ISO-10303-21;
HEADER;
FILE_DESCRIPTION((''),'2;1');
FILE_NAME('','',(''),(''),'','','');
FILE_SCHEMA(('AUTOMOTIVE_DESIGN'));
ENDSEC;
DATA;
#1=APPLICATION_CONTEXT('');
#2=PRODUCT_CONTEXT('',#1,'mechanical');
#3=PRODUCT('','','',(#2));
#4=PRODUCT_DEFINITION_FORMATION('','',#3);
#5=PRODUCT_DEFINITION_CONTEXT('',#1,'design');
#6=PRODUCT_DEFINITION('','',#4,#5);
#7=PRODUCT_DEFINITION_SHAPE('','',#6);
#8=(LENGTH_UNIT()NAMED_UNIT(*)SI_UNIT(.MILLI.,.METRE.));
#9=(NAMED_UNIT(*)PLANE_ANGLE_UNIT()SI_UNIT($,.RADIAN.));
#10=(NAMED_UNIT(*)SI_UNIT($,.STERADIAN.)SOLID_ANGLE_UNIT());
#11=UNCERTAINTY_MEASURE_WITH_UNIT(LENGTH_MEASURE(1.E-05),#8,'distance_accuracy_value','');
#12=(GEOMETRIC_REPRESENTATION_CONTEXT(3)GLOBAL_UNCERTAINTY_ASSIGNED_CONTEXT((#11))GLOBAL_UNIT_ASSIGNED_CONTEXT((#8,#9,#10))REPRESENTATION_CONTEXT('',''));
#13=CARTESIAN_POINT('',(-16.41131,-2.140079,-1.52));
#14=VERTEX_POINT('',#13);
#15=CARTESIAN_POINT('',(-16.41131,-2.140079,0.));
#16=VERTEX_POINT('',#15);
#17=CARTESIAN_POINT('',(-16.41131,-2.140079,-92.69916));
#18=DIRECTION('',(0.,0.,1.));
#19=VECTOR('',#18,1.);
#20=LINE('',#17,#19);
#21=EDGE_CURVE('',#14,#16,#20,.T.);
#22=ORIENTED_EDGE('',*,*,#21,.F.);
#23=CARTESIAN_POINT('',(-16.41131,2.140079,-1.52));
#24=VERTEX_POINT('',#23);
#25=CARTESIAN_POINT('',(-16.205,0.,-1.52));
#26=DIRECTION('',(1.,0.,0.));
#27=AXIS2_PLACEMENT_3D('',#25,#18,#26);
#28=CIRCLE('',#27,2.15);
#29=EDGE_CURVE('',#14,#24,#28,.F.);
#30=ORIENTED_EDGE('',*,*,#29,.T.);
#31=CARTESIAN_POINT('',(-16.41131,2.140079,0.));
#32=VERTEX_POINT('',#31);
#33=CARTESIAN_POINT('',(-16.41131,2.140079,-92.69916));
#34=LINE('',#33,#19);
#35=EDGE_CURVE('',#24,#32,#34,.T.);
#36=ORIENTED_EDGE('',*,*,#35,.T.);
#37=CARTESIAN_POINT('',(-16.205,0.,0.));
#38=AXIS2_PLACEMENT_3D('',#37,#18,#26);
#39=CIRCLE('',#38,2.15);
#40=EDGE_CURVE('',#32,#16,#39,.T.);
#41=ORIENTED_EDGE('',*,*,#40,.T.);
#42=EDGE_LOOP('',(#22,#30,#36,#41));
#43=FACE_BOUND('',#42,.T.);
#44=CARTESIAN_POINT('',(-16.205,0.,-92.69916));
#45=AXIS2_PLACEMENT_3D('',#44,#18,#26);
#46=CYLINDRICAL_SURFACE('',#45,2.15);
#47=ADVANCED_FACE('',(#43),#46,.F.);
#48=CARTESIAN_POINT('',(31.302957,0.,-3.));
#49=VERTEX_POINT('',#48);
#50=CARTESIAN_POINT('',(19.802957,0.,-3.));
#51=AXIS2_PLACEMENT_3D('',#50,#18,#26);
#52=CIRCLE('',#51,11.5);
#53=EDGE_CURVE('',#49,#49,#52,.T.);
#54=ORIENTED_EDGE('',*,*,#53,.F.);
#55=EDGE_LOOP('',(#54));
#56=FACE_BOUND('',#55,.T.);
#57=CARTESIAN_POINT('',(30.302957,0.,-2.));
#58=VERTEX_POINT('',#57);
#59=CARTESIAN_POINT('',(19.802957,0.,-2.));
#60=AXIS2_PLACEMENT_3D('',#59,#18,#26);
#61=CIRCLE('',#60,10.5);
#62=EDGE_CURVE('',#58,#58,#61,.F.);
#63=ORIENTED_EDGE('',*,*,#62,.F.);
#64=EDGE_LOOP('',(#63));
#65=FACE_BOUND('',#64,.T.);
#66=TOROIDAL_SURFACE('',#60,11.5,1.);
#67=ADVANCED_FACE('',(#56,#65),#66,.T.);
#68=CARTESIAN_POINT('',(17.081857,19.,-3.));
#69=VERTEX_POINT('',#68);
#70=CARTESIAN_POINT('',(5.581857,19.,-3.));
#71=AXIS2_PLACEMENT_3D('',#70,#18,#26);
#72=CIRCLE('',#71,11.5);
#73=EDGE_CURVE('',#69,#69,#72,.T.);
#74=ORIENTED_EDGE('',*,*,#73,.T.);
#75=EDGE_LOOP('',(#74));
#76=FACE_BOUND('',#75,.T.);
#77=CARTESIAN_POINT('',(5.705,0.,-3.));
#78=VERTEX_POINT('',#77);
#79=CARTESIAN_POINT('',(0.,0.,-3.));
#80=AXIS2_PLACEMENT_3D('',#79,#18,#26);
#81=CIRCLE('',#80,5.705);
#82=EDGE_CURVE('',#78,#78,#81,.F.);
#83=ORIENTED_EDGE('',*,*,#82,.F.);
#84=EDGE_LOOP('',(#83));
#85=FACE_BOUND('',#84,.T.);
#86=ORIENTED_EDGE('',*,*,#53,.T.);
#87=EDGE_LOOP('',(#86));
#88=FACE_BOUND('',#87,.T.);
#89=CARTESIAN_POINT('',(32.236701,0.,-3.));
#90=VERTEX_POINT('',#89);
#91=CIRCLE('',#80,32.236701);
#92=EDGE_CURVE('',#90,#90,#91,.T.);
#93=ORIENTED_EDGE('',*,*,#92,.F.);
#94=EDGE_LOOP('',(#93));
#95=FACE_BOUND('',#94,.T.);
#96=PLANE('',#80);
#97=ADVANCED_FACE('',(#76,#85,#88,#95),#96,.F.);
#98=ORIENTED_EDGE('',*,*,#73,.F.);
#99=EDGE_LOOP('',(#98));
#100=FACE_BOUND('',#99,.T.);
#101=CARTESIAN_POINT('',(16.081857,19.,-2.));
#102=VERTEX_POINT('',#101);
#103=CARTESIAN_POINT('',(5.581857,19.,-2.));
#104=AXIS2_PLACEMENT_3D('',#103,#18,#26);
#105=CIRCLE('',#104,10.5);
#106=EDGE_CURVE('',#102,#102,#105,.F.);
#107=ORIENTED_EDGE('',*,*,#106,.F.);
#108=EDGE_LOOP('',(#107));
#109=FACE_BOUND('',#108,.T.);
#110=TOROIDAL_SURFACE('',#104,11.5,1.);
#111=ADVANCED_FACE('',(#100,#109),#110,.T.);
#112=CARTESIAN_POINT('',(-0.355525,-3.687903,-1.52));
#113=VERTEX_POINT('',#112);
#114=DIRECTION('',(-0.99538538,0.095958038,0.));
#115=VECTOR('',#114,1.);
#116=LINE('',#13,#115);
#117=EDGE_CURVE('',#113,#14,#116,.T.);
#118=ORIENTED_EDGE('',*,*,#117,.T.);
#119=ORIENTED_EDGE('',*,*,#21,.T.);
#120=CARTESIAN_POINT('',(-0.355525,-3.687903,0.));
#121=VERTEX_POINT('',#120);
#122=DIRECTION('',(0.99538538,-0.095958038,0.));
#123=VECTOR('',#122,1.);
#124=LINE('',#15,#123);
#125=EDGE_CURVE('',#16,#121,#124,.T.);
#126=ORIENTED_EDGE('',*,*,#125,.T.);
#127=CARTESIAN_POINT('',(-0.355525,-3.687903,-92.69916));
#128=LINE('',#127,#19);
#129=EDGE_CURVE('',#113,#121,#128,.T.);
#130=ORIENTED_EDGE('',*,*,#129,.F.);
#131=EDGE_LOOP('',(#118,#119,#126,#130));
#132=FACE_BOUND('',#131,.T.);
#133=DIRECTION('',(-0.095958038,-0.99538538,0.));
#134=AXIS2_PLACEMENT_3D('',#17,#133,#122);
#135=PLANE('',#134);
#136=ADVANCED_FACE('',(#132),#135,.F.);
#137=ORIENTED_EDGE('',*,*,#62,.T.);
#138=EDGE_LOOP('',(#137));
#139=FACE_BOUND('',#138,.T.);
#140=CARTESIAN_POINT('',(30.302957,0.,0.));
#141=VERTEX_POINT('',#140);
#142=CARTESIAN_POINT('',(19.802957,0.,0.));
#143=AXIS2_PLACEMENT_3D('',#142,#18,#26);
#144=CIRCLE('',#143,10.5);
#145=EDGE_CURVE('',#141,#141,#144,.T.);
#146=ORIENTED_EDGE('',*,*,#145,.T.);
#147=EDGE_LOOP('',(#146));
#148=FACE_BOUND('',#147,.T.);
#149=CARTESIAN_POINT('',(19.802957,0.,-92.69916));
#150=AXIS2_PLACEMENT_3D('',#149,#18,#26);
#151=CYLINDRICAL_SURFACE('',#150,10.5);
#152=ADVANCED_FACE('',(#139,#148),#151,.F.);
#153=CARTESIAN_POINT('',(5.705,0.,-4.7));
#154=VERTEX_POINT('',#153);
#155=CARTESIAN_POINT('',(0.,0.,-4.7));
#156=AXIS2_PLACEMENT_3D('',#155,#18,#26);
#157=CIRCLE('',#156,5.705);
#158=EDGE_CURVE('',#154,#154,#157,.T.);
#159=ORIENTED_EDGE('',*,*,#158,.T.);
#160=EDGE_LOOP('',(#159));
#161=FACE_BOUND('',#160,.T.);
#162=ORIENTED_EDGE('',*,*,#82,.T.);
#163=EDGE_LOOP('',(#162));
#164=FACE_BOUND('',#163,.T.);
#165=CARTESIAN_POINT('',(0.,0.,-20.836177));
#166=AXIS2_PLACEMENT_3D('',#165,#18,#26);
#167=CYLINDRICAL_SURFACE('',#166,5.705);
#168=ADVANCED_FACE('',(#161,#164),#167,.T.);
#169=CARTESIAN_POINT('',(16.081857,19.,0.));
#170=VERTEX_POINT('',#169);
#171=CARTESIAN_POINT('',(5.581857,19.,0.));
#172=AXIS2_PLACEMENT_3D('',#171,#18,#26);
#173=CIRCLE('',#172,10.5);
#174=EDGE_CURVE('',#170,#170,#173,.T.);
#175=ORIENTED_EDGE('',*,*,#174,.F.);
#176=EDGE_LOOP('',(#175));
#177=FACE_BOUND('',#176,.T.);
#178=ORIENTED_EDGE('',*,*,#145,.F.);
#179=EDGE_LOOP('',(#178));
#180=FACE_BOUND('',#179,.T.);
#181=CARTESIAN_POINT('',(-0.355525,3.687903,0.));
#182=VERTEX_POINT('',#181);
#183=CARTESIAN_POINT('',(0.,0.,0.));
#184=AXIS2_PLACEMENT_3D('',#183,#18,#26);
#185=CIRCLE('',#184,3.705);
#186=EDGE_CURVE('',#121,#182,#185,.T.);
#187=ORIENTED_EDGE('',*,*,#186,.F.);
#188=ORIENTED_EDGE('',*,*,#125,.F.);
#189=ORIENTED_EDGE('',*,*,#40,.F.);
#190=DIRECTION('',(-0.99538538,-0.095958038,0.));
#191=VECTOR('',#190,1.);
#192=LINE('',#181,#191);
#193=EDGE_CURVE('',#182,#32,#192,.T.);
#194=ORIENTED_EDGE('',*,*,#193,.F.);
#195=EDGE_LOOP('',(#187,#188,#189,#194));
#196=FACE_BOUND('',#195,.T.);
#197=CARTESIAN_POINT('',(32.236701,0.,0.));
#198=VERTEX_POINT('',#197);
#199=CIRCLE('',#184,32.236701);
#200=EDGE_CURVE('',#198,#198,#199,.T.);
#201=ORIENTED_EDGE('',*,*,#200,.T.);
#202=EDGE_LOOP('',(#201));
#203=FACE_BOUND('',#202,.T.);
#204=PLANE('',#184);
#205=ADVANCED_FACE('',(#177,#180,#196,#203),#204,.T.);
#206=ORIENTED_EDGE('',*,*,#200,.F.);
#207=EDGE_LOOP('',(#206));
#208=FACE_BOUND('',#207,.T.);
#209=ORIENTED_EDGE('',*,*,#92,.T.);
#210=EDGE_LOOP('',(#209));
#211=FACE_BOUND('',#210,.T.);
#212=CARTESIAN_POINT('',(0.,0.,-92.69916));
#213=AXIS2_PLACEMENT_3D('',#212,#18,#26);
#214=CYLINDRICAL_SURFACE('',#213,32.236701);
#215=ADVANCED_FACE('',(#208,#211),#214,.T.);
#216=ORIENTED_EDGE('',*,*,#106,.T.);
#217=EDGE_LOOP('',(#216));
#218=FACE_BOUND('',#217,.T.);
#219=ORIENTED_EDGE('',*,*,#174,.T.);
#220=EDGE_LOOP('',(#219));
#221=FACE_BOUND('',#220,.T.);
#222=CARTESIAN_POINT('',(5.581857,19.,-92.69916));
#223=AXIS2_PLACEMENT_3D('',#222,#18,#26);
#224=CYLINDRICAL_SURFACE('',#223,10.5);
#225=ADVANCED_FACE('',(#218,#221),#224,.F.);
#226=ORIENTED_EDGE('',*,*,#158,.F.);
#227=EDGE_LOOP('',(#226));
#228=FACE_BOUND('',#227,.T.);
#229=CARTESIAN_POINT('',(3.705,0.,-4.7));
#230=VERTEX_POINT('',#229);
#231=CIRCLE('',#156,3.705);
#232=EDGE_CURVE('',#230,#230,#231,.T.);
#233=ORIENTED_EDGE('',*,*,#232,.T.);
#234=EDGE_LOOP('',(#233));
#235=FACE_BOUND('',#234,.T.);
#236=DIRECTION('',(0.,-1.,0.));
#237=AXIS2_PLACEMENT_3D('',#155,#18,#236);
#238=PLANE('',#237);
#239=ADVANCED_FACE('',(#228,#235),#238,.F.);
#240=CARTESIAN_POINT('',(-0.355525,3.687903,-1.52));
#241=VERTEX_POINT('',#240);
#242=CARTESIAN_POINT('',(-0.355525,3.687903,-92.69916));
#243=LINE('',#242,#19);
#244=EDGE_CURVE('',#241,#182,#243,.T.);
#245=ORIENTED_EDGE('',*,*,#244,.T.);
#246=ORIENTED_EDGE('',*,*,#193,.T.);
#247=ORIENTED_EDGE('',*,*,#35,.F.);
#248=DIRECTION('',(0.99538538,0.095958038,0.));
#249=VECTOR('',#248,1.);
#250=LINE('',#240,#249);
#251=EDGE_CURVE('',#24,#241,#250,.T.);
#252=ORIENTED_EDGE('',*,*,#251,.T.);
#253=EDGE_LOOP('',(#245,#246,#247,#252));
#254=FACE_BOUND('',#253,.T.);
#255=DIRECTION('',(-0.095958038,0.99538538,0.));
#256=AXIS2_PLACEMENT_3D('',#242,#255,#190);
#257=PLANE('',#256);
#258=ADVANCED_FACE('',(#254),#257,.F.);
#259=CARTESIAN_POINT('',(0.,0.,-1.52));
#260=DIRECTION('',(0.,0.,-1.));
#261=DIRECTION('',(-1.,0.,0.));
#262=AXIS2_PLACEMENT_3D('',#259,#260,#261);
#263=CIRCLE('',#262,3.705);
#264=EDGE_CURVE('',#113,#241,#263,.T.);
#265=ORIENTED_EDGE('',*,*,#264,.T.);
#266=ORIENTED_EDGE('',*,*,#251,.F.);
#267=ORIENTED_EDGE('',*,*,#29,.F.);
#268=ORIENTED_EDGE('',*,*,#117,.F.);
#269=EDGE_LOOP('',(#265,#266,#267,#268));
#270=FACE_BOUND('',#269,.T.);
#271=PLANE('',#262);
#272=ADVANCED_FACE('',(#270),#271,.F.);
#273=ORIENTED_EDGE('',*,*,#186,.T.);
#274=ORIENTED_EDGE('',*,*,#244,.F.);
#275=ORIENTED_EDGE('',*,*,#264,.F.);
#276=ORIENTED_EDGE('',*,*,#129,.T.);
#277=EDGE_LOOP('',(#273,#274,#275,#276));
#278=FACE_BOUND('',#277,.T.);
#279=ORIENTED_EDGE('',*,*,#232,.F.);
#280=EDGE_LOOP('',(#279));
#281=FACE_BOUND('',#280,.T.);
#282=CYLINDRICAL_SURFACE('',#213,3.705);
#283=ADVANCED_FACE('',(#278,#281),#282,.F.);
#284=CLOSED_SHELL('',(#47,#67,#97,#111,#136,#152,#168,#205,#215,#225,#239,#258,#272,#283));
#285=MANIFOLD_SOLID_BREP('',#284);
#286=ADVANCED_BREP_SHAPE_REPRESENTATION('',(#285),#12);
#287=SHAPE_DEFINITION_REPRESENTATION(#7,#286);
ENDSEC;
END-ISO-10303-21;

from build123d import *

# Parameters (mm, degrees)
SKETCH_1_R        = 32.236701024
SKETCH_1_R_2      = 10.5
EXTRUDE_1_DEPTH   = 1.52
SKETCH_2_R        = 32.236701024
SKETCH_2_R_2      = 10.5
SKETCH_2_R_3      = 3.705
EXTRUDE_2_DEPTH   = 1.48
FILLET_1_R        = 1
SKETCH_3_R        = 5.705
SKETCH_3_R_2      = 3.705
EXTRUDE_1_2_DEPTH = 1.7


with BuildPart() as part:
    # 草图1 → Extrude 1 (new body)
    with BuildSketch(Plane.XY):
        Circle(SKETCH_1_R)
        with Locations((5.58185679, 19)):
            Circle(SKETCH_1_R_2, mode=Mode.SUBTRACT)
        with Locations((19.802957487, 0)):
            Circle(SKETCH_1_R_2, mode=Mode.SUBTRACT)
        with BuildLine():
            Line((-0.355524529, 3.687902833), (-16.411309781, 2.140078567))
            ThreePointArc((-16.411309781, 2.140078567), (-18.355, 0), (-16.411309781, -2.140078567))
            Line((-16.411309781, -2.140078567), (-0.355524529, -3.687902833))
            ThreePointArc((-0.355524529, -3.687902833), (3.705, 0), (-0.355524529, 3.687902833))
        make_face(mode=Mode.SUBTRACT)
    extrude(amount=-EXTRUDE_1_DEPTH)

    # 草图2 → 凸台-拉伸2 (add)
    with BuildSketch(Plane(origin=(0, 0, -1.52), x_dir=(-1, 0, 0), z_dir=(0, 0, -1))):
        Circle(SKETCH_2_R)
        with Locations((-5.58185679, 19)):
            Circle(SKETCH_2_R_2, mode=Mode.SUBTRACT)
        with Locations((-19.802957487, 0)):
            Circle(SKETCH_2_R_2, mode=Mode.SUBTRACT)
        Circle(SKETCH_2_R_3, mode=Mode.SUBTRACT)
    extrude(amount=EXTRUDE_2_DEPTH)

    # 圆角1
    fillet_1_edges = [part.edges().sort_by_distance(p)[0] for p in [
        (30.302957487, 0, -3),
        (16.08185679, 19, -3),
    ]]
    fillet(fillet_1_edges, radius=FILLET_1_R)

    # 草图3 → Extrude 1 2 (add)
    with BuildSketch(Plane(origin=(0, 0, -3), x_dir=(-1, 0, 0), z_dir=(0, 0, -1))):
        Circle(SKETCH_3_R)
        Circle(SKETCH_3_R_2, mode=Mode.SUBTRACT)
    extrude(amount=EXTRUDE_1_2_DEPTH)


solid = part.part
